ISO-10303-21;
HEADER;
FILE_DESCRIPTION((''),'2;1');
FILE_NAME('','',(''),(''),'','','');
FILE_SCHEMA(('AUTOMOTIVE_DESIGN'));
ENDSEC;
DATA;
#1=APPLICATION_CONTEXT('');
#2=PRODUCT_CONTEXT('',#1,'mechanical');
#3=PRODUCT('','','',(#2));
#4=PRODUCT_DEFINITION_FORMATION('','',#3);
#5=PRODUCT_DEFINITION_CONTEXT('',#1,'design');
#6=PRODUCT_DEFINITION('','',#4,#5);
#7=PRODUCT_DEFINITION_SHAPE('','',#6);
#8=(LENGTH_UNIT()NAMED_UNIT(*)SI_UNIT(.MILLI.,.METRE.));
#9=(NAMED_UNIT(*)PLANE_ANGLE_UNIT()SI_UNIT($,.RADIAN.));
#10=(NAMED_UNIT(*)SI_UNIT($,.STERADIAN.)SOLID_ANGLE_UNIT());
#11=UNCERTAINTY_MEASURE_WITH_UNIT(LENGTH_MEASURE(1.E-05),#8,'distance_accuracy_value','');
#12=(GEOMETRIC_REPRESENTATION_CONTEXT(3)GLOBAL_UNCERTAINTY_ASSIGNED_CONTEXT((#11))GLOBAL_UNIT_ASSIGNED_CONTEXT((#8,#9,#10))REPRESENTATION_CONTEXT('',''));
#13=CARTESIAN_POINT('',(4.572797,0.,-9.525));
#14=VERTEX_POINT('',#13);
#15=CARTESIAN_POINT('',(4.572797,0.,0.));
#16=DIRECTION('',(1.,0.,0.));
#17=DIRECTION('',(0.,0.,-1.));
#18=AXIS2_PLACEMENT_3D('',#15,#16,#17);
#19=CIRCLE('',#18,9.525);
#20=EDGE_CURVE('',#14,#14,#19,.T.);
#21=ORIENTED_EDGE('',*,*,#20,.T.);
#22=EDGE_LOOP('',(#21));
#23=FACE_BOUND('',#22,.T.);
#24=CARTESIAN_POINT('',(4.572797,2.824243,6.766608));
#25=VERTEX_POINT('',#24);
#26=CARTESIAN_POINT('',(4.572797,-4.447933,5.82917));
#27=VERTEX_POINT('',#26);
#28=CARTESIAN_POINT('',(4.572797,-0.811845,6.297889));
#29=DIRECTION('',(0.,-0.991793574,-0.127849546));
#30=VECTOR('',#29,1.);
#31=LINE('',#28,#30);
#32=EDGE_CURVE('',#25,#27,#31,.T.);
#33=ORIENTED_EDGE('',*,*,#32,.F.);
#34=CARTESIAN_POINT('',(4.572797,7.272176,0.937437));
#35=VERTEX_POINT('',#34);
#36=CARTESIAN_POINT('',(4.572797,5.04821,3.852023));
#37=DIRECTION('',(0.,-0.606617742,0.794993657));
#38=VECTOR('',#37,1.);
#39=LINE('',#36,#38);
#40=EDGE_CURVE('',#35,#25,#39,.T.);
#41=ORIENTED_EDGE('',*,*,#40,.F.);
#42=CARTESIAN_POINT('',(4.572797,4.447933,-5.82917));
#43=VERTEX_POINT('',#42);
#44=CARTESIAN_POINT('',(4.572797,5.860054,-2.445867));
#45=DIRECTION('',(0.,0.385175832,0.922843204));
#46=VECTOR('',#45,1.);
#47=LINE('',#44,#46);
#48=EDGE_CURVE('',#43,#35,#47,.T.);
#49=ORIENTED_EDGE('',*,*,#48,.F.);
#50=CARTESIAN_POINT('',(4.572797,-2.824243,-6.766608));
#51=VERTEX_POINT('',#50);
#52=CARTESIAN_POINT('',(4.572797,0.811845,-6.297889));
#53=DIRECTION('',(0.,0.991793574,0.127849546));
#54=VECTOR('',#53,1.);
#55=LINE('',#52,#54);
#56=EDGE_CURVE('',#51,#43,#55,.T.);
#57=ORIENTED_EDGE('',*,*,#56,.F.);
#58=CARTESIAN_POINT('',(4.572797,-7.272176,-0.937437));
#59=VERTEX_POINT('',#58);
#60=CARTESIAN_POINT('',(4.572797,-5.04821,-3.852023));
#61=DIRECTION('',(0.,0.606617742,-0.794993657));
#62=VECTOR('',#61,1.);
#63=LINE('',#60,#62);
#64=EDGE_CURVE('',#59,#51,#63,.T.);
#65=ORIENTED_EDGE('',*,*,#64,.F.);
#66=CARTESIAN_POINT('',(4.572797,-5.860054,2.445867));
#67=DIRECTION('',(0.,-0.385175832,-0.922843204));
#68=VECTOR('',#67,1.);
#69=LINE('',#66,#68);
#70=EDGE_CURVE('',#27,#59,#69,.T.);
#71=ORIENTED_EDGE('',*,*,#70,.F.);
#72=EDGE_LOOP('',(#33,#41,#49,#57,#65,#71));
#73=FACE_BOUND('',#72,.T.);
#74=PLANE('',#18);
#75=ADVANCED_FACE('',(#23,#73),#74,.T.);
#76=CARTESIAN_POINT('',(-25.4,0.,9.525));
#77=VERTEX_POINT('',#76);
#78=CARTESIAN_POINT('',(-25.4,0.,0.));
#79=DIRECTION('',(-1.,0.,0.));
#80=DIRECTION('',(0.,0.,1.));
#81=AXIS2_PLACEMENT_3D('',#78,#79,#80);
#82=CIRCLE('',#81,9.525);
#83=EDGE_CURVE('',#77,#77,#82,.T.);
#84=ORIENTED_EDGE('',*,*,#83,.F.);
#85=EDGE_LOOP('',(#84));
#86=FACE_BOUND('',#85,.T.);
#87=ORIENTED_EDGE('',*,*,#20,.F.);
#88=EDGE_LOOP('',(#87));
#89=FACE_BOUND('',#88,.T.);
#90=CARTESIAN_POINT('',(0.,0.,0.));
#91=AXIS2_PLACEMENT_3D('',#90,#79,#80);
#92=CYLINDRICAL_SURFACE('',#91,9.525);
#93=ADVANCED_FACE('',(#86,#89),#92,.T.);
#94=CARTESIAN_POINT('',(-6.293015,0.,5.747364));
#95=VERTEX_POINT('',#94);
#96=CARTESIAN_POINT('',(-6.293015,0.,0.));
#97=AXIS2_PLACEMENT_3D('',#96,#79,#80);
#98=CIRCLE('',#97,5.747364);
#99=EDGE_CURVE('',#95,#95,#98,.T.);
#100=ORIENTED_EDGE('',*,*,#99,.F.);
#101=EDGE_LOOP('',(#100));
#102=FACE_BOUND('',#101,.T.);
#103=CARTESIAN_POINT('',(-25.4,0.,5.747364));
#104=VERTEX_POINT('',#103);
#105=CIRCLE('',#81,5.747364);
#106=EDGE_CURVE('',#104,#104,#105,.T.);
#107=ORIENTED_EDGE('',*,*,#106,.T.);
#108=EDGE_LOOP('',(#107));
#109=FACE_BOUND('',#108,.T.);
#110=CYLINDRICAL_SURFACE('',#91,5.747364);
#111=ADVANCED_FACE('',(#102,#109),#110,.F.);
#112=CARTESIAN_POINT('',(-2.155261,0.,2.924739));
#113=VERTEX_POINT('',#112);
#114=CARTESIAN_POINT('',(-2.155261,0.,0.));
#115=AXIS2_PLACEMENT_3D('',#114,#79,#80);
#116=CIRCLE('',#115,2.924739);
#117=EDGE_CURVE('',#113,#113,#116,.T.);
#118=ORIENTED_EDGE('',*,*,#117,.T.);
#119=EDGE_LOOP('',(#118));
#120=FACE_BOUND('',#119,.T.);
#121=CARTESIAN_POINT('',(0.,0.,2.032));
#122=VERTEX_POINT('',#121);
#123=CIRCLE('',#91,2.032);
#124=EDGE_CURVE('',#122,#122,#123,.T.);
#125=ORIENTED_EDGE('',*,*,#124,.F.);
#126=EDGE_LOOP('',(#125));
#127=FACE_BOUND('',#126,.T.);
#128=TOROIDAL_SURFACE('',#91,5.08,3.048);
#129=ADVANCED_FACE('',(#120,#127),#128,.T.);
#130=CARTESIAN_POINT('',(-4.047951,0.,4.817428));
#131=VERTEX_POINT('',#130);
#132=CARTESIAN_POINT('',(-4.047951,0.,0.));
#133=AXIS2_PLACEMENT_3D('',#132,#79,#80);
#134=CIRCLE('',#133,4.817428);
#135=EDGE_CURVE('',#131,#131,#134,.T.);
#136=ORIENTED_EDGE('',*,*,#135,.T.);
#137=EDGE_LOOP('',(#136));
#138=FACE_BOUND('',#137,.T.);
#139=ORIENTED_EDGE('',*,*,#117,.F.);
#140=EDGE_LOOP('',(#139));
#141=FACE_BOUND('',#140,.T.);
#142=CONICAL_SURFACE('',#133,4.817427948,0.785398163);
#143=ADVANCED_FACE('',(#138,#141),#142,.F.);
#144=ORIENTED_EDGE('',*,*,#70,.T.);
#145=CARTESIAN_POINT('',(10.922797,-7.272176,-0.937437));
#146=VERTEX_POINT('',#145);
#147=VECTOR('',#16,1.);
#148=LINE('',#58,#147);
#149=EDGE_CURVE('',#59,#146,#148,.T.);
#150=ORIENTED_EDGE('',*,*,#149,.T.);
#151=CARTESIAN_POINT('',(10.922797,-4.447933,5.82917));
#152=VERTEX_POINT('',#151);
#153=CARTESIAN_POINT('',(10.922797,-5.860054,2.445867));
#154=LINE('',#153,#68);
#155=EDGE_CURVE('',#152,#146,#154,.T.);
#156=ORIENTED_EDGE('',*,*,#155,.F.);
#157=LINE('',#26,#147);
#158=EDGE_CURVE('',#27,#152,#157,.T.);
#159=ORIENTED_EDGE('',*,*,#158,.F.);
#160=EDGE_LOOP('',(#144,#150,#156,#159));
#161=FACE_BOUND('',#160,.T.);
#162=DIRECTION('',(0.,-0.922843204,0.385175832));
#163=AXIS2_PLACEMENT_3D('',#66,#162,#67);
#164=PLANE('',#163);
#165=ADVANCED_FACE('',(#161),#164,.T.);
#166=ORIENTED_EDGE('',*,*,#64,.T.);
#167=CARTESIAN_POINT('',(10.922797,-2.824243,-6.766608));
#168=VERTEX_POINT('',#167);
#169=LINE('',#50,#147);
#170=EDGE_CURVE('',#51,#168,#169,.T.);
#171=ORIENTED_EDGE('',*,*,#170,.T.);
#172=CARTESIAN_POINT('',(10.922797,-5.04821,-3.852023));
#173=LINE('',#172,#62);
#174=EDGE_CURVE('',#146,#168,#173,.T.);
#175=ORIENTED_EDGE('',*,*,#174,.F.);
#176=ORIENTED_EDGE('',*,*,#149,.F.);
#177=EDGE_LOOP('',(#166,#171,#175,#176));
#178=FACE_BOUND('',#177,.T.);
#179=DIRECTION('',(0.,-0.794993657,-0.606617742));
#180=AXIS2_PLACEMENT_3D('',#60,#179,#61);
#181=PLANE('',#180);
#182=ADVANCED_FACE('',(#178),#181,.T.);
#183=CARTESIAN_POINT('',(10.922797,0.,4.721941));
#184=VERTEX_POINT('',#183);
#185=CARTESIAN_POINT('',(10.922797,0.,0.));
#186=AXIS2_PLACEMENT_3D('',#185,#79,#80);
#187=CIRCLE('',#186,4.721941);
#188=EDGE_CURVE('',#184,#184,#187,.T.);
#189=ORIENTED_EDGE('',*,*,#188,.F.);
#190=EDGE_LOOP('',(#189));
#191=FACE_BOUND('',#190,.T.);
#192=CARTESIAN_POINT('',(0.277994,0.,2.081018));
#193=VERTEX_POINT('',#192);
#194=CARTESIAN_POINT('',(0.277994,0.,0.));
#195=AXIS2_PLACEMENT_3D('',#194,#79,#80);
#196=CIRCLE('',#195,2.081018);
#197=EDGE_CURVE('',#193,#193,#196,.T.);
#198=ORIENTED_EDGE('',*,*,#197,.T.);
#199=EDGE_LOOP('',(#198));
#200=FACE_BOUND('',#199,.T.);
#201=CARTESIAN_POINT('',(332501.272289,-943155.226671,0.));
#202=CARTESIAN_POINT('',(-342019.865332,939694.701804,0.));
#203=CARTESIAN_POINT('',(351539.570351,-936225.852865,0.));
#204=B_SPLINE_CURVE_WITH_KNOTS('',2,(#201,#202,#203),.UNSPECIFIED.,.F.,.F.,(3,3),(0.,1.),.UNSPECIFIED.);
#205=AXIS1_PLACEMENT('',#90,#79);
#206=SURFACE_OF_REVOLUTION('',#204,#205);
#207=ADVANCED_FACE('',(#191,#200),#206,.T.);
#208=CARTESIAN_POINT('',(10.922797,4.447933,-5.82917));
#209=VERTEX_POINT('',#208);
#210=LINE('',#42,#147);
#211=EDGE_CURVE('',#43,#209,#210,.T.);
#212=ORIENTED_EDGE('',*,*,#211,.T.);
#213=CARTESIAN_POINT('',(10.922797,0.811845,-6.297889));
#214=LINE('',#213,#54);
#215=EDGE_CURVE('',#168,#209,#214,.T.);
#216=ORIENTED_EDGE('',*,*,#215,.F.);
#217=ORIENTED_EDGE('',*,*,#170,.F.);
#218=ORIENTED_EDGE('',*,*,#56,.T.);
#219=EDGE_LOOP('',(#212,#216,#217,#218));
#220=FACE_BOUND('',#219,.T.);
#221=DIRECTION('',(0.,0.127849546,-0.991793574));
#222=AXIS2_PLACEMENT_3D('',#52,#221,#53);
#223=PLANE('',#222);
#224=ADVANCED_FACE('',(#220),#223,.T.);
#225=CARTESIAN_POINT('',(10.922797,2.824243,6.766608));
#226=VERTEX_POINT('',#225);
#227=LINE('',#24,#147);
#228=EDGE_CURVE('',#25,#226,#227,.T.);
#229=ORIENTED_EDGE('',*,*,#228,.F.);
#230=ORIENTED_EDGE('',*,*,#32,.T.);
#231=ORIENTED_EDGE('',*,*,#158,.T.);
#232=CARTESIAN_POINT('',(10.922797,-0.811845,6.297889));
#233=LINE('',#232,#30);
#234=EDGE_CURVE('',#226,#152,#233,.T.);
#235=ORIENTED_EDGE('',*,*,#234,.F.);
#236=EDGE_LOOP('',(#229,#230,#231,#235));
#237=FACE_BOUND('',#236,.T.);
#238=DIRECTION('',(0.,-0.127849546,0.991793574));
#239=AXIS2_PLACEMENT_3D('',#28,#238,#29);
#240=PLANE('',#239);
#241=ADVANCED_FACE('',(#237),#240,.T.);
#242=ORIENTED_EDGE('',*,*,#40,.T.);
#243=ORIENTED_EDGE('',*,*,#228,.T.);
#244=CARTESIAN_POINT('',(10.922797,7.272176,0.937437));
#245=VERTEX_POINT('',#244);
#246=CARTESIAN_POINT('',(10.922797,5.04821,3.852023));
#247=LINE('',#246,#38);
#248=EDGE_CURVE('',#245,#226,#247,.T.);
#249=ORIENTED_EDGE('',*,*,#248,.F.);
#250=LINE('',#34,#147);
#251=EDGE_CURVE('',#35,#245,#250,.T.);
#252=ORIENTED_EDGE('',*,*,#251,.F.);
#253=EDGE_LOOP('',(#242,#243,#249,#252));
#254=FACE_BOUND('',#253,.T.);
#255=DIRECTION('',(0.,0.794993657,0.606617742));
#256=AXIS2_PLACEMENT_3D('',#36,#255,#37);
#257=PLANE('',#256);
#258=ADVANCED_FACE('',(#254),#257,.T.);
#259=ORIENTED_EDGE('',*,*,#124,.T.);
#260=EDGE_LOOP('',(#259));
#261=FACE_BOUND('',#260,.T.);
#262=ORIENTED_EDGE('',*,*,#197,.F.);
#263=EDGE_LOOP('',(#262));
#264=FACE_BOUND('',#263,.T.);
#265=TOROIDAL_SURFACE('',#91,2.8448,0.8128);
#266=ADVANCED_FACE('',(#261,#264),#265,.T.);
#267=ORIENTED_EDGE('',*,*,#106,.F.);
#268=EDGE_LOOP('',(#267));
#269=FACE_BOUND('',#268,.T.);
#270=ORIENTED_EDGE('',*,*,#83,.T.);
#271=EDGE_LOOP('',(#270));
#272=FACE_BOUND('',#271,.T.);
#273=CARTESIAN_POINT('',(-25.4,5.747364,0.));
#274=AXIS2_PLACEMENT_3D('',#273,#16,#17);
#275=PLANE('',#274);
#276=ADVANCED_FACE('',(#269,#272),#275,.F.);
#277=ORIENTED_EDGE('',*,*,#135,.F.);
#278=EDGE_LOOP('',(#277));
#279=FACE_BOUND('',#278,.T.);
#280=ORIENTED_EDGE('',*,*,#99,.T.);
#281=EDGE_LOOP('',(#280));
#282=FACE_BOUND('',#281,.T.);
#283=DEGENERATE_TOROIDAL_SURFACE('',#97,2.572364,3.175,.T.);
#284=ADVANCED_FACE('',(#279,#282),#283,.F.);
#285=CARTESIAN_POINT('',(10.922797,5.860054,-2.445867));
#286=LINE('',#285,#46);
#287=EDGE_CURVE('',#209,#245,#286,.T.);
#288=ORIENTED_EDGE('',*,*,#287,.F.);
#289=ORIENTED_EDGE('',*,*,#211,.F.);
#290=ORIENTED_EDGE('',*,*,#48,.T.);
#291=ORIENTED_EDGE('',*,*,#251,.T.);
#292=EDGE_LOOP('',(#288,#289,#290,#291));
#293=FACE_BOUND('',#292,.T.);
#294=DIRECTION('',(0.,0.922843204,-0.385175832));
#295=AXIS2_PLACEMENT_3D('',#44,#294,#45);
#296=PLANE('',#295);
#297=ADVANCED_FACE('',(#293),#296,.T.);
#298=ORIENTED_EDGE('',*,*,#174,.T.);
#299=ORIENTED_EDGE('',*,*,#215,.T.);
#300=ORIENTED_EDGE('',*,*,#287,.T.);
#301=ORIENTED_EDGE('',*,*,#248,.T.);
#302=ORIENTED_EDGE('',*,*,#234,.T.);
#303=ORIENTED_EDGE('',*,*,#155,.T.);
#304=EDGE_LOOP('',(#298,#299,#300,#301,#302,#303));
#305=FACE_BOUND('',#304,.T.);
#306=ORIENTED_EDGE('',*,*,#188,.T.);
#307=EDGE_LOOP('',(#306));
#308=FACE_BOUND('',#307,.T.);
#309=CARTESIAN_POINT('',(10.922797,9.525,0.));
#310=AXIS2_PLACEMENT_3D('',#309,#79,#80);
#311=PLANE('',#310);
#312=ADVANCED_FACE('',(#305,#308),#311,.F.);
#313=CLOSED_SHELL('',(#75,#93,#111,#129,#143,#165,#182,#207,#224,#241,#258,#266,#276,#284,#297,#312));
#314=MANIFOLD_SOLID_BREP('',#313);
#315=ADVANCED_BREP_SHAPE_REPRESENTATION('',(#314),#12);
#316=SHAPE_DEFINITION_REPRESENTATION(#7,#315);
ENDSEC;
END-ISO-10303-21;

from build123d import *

# Parameters (mm, degrees)
SKETCH3_R          = 9.525
CUT_EXTRUDE2_DEPTH = 6.35


with BuildPart() as part:
    # Sketch1 → Revolve1 (revolve)
    with BuildSketch(Plane.XY, mode=Mode.PRIVATE) as revolve1_sk:
        with BuildLine():
            Line((-2.155261469, 2.924738531), (-4.047950886, 4.817427948))
            ThreePointArc((-4.047950886, 4.817427948), (-5.077995018, 5.505681433), (-6.293014916, 5.747363917))
            Line((-6.293014916, 5.747363917), (-25.4, 5.747363917))
            Line((-25.4, 5.747363917), (-25.4, 9.525))
            Line((-25.4, 9.525), (-1.777203317, 9.525))
            Line((-1.777203317, 9.525), (10.922796683, 9.525))
            Line((10.922796683, 9.525), (10.922796683, 4.721941296))
            add(Edge.make_bspline(
                [(10.922796683, 4.721941296), (5.402180861, 3.94606934), (0.277993972, 2.081017838)],
                knots=[0, 0, 0, 1, 1, 1], degree=2))
            ThreePointArc((0.277993972, 2.081017838), (0.141141239, 2.044348258), (0, 2.032))
            ThreePointArc((0, 2.032), (-1.166419102, 2.264015185), (-2.155261469, 2.924738531))
        make_face()
    revolve(revolve1_sk.sketch.rotate(Axis((0, 0, 0), (1, 0, 0)), 90), axis=Axis((0, 0, 0), (1, 0, 0)))

    # Sketch3 → Cut-Extrude2 (cut)
    with BuildSketch(Plane(origin=(10.922796683, 0, 0), x_dir=(0, 0, -1), z_dir=(1, 0, 0))):
        with Locations(Location((0, 0, 0), (0, 0, 180))):
            Circle(SKETCH3_R)
        Polygon((-5.829170486, -4.447932641), (0.937437419, -7.272176044), (6.766607905, -2.824243403), (5.829170486, 4.447932641), (-0.937437419, 7.272176044), (-6.766607905, 2.824243403), align=None, mode=Mode.SUBTRACT)
    extrude(amount=-CUT_EXTRUDE2_DEPTH, mode=Mode.SUBTRACT)


solid = part.part
